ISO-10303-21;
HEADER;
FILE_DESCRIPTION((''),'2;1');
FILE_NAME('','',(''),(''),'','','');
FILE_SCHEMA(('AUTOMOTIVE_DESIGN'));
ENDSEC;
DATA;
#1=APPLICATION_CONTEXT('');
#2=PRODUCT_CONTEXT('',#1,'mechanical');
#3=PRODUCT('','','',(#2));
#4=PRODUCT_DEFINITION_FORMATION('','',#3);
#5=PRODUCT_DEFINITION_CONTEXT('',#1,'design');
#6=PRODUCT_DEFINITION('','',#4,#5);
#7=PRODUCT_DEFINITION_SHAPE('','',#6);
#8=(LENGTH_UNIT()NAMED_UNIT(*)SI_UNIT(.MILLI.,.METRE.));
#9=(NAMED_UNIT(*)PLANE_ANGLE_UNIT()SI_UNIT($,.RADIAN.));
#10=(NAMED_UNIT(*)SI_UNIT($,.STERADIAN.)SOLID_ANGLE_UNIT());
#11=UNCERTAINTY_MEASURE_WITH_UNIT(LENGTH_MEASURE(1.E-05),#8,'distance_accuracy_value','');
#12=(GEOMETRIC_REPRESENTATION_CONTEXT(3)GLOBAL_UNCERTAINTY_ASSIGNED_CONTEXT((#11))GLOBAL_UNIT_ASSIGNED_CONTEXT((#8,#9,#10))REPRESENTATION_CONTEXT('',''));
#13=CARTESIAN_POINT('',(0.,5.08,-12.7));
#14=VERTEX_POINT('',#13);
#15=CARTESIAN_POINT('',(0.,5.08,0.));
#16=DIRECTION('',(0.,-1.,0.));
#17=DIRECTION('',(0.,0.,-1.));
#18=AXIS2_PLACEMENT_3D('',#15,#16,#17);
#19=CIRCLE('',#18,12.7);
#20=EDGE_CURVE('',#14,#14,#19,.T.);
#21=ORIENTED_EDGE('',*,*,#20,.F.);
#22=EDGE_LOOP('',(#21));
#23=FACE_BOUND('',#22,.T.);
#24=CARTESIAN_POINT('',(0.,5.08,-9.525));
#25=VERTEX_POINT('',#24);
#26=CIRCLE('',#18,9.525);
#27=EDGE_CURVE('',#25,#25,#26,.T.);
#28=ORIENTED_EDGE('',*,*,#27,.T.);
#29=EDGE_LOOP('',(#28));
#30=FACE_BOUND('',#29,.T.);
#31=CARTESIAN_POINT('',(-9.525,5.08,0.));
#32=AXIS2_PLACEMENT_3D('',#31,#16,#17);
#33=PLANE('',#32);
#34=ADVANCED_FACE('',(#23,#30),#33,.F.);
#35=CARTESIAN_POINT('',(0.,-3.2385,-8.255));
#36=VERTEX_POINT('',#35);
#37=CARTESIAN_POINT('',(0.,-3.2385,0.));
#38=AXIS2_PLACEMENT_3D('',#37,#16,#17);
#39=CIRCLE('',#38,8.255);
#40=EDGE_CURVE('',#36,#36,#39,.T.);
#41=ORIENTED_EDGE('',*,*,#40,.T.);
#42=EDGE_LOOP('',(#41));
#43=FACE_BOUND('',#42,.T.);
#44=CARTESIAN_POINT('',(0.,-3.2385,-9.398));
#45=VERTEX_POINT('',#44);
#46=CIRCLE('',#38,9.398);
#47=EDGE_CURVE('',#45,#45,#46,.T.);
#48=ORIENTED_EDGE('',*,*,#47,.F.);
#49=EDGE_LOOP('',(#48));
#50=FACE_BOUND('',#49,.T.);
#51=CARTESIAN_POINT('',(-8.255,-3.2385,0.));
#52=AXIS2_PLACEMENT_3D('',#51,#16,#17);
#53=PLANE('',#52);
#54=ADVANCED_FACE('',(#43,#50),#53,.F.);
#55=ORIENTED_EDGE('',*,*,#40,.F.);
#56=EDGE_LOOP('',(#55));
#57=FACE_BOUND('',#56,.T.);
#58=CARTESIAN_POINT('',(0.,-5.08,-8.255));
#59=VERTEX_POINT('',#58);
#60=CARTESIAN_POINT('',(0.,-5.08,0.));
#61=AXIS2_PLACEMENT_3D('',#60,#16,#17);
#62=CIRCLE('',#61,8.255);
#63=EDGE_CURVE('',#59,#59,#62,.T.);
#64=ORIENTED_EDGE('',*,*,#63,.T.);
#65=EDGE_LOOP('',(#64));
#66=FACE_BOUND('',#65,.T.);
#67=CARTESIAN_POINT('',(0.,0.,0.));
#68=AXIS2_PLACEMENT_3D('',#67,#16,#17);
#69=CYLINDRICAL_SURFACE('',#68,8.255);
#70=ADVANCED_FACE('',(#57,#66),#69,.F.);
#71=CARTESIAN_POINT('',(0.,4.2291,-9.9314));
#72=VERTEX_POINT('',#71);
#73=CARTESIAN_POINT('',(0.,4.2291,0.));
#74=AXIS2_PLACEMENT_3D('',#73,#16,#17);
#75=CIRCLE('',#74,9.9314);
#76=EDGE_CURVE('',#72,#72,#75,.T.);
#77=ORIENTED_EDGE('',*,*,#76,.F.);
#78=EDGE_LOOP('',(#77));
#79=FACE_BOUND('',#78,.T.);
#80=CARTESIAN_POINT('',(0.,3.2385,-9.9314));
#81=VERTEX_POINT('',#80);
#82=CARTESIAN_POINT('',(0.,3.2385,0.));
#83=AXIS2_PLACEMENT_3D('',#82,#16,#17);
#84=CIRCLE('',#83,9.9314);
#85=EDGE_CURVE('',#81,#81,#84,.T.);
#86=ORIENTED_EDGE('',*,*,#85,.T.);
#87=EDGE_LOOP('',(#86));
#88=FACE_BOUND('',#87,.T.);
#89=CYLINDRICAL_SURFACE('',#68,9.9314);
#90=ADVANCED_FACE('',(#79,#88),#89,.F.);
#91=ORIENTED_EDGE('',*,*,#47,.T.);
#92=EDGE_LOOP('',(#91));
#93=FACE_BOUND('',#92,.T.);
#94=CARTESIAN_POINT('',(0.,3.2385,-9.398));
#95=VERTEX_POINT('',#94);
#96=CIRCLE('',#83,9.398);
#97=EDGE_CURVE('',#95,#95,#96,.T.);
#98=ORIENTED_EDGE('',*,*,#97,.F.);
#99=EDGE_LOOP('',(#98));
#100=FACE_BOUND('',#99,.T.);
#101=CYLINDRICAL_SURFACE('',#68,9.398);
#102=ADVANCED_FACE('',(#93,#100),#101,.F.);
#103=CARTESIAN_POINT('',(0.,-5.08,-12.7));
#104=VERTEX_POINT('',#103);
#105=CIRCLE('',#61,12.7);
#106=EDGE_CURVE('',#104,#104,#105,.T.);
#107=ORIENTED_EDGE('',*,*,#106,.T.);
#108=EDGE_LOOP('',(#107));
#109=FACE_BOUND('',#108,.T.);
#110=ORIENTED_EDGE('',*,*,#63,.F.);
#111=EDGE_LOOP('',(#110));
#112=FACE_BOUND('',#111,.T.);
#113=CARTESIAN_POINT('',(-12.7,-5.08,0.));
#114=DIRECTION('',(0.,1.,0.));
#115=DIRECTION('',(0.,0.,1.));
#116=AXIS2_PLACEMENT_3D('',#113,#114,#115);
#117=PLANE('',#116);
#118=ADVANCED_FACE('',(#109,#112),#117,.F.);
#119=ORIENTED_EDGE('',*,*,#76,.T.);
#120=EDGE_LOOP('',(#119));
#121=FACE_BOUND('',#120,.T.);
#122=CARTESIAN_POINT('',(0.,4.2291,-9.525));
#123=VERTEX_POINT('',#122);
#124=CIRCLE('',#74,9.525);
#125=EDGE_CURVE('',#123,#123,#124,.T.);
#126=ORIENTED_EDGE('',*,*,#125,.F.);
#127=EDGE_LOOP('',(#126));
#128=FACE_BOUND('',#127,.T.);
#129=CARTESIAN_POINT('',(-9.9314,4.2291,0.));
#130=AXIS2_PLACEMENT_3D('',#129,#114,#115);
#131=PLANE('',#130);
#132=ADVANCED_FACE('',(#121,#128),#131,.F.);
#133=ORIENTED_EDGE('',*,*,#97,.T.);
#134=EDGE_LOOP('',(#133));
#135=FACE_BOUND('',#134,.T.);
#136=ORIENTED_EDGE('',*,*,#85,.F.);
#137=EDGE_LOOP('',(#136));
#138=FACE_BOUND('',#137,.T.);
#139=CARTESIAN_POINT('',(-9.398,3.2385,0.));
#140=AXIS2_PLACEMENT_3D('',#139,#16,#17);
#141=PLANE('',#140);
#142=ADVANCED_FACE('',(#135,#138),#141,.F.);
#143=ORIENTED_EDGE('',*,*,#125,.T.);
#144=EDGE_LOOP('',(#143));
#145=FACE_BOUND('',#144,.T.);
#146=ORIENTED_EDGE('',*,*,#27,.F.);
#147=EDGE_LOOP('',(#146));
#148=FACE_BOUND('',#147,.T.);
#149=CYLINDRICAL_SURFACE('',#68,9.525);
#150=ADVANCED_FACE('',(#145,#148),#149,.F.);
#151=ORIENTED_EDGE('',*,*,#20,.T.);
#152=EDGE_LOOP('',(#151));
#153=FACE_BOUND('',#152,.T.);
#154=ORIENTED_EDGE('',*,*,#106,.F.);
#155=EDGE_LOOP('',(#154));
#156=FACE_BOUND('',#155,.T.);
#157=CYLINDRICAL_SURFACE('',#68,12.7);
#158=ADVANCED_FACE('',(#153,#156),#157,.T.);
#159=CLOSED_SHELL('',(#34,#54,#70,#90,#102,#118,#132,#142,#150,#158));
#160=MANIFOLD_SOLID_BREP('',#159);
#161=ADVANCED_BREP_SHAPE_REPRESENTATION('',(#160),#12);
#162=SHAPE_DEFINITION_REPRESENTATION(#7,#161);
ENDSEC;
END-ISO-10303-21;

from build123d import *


with BuildPart() as part:
    # Sketch1 → Revolve1 (revolve)
    with BuildSketch(Plane.XY, mode=Mode.PRIVATE) as revolve1_sk:
        Polygon((-12.7, -5.08), (-8.255, -5.08), (-8.255, -3.2385), (-9.398, -3.2385), (-9.398, 3.2385), (-9.9314, 3.2385), (-9.9314, 4.2291), (-9.525, 4.2291), (-9.525, 5.08), (-12.7, 5.08), align=None)
    revolve(revolve1_sk.sketch.rotate(Axis((0, 0, 0), (0, 1, 0)), 270), axis=Axis((0, 0, 0), (0, 1, 0)))


solid = part.part
